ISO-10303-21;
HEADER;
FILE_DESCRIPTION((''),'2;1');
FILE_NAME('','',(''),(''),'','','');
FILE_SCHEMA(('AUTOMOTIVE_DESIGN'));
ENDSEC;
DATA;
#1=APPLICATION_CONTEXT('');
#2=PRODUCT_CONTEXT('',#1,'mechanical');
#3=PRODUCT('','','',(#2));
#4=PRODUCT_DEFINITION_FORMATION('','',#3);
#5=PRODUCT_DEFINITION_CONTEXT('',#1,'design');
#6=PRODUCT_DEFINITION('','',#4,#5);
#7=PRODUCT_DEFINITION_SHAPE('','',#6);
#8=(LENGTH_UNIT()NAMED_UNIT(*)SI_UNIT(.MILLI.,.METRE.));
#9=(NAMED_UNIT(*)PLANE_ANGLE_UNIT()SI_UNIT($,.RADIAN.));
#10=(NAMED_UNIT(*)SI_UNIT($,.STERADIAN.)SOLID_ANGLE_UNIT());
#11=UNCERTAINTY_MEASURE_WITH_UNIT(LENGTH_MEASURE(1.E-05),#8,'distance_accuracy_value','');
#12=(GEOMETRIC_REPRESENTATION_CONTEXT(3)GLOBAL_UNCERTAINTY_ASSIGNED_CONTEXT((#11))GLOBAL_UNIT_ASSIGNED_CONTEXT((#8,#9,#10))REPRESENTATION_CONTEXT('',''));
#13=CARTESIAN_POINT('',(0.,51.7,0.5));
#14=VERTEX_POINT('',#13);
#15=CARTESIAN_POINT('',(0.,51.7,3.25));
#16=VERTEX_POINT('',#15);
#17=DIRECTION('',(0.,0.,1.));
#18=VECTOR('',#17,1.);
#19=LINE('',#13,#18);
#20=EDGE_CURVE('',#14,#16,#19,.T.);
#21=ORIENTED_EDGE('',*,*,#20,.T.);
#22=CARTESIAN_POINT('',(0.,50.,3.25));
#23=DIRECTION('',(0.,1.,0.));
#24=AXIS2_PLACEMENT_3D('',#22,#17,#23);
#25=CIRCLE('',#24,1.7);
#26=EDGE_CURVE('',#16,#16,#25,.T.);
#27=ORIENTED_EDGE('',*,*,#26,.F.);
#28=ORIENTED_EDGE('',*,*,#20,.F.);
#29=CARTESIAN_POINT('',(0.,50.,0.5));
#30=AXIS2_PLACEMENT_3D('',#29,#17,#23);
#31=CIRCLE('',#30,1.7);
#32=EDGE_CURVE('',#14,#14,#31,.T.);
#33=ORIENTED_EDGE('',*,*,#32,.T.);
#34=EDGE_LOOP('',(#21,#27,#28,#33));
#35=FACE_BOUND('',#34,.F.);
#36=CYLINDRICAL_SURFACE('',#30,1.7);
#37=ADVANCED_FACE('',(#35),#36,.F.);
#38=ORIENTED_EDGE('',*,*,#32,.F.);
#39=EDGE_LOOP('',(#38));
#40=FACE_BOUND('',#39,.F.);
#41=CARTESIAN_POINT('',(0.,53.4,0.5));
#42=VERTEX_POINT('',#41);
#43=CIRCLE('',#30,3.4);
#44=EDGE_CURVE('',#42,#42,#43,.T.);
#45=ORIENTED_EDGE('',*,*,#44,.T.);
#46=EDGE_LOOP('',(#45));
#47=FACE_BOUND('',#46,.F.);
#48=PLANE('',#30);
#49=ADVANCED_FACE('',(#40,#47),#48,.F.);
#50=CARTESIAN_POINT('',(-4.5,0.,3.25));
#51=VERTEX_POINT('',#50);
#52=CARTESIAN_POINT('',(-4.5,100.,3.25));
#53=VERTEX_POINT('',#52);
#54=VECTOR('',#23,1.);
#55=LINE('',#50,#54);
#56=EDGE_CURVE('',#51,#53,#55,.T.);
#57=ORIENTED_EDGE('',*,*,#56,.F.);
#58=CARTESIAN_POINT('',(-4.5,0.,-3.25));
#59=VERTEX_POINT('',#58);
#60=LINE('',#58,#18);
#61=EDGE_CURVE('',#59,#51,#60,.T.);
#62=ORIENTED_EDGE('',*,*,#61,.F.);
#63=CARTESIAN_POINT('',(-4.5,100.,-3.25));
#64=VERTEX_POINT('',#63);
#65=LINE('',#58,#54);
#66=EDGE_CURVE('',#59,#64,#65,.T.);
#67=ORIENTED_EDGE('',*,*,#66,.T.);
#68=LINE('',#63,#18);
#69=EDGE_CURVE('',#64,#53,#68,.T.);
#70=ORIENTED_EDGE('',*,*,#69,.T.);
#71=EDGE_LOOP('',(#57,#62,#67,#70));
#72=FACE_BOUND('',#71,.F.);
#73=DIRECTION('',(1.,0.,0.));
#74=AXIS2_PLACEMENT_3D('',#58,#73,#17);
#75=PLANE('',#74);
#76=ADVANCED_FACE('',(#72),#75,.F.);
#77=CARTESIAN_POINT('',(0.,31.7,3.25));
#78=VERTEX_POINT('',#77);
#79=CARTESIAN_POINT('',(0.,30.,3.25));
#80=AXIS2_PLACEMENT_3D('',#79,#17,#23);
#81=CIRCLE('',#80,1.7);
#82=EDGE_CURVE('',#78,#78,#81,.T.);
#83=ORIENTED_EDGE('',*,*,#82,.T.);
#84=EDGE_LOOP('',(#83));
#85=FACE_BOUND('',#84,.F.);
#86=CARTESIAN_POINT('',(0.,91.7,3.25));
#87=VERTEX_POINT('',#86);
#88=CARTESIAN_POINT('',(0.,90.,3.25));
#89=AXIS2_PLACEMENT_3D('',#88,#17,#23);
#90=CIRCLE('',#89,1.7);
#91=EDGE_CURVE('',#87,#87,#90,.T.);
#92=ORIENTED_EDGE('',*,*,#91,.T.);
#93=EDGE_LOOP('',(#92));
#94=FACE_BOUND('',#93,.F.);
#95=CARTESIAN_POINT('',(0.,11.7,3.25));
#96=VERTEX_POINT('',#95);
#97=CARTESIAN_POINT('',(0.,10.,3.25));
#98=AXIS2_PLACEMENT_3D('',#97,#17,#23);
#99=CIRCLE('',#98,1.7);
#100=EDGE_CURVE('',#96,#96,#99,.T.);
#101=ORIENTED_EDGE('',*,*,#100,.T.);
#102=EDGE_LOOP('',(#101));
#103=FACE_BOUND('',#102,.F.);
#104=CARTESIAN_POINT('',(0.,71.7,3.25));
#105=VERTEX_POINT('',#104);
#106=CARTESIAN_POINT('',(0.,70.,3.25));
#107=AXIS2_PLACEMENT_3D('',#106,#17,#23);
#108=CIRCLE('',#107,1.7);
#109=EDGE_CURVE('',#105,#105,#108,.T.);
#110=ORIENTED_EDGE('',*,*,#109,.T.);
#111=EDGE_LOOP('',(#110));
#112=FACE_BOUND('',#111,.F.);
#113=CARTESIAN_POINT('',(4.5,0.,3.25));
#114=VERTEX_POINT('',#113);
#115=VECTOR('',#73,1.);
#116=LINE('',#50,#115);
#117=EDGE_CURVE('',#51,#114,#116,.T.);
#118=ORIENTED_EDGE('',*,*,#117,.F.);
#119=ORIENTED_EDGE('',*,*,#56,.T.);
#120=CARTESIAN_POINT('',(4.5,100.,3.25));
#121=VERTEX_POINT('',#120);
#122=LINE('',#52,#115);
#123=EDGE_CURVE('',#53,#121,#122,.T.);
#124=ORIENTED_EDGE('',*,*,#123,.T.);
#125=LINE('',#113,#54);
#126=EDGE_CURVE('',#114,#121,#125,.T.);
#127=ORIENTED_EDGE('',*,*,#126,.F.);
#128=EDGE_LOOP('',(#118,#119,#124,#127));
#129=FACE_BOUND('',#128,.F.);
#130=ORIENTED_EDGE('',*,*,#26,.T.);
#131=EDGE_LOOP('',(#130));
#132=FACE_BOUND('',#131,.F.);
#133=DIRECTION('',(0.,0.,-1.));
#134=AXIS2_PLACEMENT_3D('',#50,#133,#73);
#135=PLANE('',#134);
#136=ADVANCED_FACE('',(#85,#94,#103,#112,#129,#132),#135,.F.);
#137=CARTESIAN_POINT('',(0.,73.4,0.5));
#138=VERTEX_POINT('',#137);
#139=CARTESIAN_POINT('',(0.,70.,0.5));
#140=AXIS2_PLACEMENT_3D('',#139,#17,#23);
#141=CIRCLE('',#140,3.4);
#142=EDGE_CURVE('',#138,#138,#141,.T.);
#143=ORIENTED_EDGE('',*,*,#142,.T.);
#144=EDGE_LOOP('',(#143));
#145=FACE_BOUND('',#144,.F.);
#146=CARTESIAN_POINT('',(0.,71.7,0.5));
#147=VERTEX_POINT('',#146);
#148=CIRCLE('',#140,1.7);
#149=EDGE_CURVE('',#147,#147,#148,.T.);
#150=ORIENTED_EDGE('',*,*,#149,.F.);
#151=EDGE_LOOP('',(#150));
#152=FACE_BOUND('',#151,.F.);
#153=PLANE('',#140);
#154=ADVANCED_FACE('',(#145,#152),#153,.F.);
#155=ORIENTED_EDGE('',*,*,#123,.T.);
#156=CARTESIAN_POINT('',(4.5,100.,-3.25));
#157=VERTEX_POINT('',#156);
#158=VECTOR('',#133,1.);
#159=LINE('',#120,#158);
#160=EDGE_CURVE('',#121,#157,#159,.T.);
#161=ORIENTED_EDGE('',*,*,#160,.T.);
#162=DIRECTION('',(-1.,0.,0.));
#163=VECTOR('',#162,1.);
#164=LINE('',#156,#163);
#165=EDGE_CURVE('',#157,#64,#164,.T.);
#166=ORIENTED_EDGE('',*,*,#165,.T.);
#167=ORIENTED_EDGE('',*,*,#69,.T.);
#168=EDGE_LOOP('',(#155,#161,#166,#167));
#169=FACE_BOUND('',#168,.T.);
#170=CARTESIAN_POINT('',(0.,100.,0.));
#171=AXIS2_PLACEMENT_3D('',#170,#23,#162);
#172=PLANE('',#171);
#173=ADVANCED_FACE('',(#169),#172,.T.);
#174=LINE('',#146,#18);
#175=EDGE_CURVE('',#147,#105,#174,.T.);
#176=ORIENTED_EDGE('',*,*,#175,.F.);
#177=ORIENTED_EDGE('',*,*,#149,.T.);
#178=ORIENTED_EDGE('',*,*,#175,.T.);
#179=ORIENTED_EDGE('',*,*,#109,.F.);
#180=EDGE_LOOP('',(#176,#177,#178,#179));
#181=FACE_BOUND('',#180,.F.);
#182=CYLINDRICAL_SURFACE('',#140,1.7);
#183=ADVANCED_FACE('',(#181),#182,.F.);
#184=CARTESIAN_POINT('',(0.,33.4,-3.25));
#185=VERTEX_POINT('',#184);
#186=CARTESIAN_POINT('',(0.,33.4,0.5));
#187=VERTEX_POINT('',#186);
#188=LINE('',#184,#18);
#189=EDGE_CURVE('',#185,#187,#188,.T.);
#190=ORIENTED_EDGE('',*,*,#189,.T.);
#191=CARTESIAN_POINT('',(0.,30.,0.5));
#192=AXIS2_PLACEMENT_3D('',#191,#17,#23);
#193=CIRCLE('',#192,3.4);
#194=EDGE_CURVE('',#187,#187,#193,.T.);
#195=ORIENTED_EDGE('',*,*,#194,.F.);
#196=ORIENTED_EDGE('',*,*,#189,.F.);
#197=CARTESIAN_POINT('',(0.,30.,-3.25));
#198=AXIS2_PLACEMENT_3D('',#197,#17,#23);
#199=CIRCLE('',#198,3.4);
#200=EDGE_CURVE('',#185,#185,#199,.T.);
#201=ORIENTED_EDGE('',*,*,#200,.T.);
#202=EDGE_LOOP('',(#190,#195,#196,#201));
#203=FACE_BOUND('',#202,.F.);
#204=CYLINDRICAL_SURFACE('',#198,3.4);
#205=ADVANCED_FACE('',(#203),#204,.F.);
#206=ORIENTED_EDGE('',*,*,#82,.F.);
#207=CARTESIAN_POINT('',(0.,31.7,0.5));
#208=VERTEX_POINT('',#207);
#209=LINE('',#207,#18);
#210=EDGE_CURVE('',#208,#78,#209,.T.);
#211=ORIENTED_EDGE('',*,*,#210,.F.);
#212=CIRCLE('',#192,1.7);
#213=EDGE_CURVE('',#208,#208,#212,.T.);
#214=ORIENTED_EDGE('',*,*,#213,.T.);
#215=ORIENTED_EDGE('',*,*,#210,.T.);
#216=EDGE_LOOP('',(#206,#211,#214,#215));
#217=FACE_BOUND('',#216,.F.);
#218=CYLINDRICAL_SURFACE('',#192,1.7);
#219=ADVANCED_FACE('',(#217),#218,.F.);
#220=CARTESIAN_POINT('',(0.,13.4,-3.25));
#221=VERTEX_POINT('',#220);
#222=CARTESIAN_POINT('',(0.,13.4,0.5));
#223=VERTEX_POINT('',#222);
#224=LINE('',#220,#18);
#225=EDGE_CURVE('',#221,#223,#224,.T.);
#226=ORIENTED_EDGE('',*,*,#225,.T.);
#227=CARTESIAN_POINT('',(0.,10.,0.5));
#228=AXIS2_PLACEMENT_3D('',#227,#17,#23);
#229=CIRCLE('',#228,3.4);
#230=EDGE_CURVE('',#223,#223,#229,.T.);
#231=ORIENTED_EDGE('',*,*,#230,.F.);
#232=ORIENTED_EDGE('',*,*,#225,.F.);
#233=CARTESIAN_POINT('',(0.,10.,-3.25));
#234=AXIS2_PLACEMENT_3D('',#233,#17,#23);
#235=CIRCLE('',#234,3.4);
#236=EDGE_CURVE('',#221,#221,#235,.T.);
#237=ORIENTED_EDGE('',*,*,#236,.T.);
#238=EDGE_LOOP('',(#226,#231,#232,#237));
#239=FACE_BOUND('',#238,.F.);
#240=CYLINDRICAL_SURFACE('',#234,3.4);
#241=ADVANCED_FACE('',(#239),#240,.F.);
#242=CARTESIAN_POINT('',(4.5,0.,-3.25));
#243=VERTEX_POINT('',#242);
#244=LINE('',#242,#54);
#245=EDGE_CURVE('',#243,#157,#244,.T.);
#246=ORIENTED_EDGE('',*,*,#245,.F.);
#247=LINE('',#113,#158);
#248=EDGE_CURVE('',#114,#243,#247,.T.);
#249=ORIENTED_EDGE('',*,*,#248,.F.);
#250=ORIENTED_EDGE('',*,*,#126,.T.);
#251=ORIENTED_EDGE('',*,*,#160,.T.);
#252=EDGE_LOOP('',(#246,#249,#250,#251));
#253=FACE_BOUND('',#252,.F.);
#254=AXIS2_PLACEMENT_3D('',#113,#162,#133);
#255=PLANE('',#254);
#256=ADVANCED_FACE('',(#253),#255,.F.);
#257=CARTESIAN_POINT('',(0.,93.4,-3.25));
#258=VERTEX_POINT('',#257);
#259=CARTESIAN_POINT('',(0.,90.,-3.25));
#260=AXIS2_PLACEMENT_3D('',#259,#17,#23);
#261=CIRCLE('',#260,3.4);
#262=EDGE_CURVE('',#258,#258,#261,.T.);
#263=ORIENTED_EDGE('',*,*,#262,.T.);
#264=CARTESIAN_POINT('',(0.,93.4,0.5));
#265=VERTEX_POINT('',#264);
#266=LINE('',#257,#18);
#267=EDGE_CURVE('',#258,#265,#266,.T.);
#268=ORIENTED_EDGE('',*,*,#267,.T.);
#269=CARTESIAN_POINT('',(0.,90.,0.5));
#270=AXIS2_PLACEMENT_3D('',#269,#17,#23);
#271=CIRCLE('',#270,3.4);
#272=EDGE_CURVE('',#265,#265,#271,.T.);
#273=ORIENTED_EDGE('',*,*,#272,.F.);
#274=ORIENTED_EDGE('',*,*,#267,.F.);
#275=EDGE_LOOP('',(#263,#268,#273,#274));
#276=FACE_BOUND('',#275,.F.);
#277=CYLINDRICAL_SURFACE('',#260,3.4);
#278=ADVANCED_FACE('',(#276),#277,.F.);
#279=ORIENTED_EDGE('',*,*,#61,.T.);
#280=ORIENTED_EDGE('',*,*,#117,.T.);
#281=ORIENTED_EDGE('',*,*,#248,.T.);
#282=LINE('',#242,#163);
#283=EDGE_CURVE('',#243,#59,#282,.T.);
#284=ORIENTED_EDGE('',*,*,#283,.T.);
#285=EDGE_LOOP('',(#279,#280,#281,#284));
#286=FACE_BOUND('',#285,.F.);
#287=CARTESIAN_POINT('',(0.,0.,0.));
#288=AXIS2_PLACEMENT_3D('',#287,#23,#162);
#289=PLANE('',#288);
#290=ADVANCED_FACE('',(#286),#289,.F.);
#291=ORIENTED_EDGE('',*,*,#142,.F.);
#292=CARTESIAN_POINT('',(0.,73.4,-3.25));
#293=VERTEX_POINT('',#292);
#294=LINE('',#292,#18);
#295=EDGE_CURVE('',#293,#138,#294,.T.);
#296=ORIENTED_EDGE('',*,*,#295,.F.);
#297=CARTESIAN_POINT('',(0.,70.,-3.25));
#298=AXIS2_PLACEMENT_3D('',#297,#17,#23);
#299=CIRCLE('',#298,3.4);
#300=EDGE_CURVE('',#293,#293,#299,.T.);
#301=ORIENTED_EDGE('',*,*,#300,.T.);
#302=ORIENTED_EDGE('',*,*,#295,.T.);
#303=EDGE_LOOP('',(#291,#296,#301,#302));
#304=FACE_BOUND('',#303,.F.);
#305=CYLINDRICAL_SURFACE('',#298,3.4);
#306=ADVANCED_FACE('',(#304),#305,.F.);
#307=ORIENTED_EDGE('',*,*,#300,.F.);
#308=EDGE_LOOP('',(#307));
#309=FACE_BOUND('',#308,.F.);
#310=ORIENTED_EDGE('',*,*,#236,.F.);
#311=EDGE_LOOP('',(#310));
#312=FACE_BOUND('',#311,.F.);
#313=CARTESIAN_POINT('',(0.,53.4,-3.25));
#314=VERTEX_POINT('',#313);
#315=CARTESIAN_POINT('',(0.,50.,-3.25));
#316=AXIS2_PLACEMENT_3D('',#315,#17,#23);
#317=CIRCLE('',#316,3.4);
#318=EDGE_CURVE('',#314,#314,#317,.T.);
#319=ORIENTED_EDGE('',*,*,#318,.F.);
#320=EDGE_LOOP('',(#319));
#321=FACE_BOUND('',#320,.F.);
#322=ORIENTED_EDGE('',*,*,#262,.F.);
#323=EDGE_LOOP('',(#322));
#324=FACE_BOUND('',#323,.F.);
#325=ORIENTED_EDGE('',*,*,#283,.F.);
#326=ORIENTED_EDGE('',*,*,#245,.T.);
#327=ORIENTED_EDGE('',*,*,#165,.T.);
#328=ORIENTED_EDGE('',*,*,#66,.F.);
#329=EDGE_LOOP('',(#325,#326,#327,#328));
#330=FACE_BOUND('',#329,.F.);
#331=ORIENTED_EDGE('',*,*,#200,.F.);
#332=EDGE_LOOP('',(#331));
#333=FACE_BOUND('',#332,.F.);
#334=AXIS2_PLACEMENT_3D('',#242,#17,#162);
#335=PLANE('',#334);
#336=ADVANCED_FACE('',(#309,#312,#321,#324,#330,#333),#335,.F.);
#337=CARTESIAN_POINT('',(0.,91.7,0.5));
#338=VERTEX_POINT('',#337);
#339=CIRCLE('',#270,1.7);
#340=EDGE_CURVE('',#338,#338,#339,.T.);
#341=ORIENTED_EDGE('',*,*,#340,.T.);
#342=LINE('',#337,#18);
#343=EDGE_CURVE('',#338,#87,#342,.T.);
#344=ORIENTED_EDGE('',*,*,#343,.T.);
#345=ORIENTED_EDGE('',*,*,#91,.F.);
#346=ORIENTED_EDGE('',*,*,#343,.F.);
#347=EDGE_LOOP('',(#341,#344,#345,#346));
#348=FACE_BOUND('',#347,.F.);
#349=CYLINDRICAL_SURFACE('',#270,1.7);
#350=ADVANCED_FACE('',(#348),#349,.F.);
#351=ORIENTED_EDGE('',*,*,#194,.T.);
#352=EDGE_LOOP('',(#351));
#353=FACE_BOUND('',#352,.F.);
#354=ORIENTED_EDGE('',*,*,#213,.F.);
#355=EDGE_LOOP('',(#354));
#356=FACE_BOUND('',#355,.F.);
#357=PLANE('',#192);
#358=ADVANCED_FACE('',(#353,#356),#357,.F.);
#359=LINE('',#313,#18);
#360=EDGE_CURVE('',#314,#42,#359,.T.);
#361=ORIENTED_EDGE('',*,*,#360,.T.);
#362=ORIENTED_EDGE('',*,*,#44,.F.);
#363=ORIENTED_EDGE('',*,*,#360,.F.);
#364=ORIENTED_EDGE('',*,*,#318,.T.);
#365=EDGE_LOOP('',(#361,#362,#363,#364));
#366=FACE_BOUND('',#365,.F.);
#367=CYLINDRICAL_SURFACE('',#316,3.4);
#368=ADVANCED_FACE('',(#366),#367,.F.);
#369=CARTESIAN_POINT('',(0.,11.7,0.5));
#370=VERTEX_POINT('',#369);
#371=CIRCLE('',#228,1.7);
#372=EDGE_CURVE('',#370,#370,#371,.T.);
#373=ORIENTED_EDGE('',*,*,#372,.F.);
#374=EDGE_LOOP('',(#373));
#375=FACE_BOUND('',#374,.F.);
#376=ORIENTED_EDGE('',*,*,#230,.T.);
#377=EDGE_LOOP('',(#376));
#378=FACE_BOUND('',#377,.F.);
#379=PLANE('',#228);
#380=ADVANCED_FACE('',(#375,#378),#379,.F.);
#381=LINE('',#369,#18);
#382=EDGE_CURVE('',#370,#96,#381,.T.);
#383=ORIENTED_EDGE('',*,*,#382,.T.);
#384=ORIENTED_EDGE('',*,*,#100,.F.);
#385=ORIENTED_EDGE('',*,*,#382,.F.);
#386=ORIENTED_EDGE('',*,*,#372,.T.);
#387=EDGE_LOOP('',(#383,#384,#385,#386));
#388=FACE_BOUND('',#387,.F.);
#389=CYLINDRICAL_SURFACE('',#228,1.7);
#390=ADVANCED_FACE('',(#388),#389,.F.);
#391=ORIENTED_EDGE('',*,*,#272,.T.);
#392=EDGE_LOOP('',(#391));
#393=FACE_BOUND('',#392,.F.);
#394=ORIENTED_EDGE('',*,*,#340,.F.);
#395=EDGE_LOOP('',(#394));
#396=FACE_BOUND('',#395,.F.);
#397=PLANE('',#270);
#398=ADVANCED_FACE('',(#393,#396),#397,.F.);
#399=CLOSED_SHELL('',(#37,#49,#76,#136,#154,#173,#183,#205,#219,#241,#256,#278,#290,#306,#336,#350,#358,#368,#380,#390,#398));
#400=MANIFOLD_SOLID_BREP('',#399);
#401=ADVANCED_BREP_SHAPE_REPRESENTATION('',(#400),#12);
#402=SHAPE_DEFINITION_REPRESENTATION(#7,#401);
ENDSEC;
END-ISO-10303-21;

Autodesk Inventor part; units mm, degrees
ref_plane "YZ Plane" through (0, 0, 0) normal (1, 0, 0) x (0, 1, 0)
ref_plane "XZ Plane" through (0, 0, 0) normal (0, 1, 0) x (-1, 0, 0)
ref_plane "XY Plane" through (0, 0, 0) normal (0, 0, 1) x (1, 0, 0)
sketch "Sketch1" plane through (0, 0, 0) normal (0, 1, 0) x (-1, 0, 0)
  line L0 (-4.5, -3.25) -> (4.5, -3.25)
  line L1 (4.5, -3.25) -> (4.5, 3.25)
  line L2 (4.5, 3.25) -> (-4.5, 3.25)
  line L3 (-4.5, 3.25) -> (-4.5, -3.25)
  line L4 (-4.5, -3.25) -> (4.5, 3.25) construction
  line L5 (4.5, -3.25) -> (-4.5, 3.25) construction
  point P0 (0, 0)
  dimension "d0" = 9
  dimension "d1" = 6.5
extrude "Extrusion1" add sketch "Sketch1" along normal blind 100
sketch "Sketch2" plane through (4.5, 0, -3.25) normal (0, 0, -1) x (-1, 0, 0)
  line L0 (0, 0) -> (9, 0) construction
  line L1 (9, 0) -> (9, 100) construction
  line L2 (0, 100) -> (9, 100) construction
  line L3 (0, 0) -> (0, 100) construction
  line L4 (9, 100) -> (0, 100) projected
  line L5 (4.5, 100) -> (4.5, 0) construction
  point P0 (4.5, 90)
  point P1 (4.5, 70)
  point P2 (4.5, 50)
  point P3 (4.5, 30)
  point P4 (4.5, 10)
  dimension "d4" = 20
  dimension "d5" = 20
  dimension "d6" = 20
  dimension "d7" = 20
  dimension "d9" = 10
  dimension "d10" = 10
hole "Hole1" at (0, 90, -3.25) at (0, 70, -3.25) at (0, 50, -3.25) at (0, 30, -3.25) at (0, 10, -3.25) direction (0, 0, 1) diameter 3.4 depth 8 counterbore diameter 6.8 counterbore depth 3.75 clearance for "Hex Head Cap Screw DIN EN 24017" size "M3" standard "DIN"
equation "\"d5\" = d4"
equation "\"d6\" = d5"
equation "\"d7\" = d4"
equation "\"d9\" = d10"
properties part number "LinearRail" material "Steel, Carbon"
